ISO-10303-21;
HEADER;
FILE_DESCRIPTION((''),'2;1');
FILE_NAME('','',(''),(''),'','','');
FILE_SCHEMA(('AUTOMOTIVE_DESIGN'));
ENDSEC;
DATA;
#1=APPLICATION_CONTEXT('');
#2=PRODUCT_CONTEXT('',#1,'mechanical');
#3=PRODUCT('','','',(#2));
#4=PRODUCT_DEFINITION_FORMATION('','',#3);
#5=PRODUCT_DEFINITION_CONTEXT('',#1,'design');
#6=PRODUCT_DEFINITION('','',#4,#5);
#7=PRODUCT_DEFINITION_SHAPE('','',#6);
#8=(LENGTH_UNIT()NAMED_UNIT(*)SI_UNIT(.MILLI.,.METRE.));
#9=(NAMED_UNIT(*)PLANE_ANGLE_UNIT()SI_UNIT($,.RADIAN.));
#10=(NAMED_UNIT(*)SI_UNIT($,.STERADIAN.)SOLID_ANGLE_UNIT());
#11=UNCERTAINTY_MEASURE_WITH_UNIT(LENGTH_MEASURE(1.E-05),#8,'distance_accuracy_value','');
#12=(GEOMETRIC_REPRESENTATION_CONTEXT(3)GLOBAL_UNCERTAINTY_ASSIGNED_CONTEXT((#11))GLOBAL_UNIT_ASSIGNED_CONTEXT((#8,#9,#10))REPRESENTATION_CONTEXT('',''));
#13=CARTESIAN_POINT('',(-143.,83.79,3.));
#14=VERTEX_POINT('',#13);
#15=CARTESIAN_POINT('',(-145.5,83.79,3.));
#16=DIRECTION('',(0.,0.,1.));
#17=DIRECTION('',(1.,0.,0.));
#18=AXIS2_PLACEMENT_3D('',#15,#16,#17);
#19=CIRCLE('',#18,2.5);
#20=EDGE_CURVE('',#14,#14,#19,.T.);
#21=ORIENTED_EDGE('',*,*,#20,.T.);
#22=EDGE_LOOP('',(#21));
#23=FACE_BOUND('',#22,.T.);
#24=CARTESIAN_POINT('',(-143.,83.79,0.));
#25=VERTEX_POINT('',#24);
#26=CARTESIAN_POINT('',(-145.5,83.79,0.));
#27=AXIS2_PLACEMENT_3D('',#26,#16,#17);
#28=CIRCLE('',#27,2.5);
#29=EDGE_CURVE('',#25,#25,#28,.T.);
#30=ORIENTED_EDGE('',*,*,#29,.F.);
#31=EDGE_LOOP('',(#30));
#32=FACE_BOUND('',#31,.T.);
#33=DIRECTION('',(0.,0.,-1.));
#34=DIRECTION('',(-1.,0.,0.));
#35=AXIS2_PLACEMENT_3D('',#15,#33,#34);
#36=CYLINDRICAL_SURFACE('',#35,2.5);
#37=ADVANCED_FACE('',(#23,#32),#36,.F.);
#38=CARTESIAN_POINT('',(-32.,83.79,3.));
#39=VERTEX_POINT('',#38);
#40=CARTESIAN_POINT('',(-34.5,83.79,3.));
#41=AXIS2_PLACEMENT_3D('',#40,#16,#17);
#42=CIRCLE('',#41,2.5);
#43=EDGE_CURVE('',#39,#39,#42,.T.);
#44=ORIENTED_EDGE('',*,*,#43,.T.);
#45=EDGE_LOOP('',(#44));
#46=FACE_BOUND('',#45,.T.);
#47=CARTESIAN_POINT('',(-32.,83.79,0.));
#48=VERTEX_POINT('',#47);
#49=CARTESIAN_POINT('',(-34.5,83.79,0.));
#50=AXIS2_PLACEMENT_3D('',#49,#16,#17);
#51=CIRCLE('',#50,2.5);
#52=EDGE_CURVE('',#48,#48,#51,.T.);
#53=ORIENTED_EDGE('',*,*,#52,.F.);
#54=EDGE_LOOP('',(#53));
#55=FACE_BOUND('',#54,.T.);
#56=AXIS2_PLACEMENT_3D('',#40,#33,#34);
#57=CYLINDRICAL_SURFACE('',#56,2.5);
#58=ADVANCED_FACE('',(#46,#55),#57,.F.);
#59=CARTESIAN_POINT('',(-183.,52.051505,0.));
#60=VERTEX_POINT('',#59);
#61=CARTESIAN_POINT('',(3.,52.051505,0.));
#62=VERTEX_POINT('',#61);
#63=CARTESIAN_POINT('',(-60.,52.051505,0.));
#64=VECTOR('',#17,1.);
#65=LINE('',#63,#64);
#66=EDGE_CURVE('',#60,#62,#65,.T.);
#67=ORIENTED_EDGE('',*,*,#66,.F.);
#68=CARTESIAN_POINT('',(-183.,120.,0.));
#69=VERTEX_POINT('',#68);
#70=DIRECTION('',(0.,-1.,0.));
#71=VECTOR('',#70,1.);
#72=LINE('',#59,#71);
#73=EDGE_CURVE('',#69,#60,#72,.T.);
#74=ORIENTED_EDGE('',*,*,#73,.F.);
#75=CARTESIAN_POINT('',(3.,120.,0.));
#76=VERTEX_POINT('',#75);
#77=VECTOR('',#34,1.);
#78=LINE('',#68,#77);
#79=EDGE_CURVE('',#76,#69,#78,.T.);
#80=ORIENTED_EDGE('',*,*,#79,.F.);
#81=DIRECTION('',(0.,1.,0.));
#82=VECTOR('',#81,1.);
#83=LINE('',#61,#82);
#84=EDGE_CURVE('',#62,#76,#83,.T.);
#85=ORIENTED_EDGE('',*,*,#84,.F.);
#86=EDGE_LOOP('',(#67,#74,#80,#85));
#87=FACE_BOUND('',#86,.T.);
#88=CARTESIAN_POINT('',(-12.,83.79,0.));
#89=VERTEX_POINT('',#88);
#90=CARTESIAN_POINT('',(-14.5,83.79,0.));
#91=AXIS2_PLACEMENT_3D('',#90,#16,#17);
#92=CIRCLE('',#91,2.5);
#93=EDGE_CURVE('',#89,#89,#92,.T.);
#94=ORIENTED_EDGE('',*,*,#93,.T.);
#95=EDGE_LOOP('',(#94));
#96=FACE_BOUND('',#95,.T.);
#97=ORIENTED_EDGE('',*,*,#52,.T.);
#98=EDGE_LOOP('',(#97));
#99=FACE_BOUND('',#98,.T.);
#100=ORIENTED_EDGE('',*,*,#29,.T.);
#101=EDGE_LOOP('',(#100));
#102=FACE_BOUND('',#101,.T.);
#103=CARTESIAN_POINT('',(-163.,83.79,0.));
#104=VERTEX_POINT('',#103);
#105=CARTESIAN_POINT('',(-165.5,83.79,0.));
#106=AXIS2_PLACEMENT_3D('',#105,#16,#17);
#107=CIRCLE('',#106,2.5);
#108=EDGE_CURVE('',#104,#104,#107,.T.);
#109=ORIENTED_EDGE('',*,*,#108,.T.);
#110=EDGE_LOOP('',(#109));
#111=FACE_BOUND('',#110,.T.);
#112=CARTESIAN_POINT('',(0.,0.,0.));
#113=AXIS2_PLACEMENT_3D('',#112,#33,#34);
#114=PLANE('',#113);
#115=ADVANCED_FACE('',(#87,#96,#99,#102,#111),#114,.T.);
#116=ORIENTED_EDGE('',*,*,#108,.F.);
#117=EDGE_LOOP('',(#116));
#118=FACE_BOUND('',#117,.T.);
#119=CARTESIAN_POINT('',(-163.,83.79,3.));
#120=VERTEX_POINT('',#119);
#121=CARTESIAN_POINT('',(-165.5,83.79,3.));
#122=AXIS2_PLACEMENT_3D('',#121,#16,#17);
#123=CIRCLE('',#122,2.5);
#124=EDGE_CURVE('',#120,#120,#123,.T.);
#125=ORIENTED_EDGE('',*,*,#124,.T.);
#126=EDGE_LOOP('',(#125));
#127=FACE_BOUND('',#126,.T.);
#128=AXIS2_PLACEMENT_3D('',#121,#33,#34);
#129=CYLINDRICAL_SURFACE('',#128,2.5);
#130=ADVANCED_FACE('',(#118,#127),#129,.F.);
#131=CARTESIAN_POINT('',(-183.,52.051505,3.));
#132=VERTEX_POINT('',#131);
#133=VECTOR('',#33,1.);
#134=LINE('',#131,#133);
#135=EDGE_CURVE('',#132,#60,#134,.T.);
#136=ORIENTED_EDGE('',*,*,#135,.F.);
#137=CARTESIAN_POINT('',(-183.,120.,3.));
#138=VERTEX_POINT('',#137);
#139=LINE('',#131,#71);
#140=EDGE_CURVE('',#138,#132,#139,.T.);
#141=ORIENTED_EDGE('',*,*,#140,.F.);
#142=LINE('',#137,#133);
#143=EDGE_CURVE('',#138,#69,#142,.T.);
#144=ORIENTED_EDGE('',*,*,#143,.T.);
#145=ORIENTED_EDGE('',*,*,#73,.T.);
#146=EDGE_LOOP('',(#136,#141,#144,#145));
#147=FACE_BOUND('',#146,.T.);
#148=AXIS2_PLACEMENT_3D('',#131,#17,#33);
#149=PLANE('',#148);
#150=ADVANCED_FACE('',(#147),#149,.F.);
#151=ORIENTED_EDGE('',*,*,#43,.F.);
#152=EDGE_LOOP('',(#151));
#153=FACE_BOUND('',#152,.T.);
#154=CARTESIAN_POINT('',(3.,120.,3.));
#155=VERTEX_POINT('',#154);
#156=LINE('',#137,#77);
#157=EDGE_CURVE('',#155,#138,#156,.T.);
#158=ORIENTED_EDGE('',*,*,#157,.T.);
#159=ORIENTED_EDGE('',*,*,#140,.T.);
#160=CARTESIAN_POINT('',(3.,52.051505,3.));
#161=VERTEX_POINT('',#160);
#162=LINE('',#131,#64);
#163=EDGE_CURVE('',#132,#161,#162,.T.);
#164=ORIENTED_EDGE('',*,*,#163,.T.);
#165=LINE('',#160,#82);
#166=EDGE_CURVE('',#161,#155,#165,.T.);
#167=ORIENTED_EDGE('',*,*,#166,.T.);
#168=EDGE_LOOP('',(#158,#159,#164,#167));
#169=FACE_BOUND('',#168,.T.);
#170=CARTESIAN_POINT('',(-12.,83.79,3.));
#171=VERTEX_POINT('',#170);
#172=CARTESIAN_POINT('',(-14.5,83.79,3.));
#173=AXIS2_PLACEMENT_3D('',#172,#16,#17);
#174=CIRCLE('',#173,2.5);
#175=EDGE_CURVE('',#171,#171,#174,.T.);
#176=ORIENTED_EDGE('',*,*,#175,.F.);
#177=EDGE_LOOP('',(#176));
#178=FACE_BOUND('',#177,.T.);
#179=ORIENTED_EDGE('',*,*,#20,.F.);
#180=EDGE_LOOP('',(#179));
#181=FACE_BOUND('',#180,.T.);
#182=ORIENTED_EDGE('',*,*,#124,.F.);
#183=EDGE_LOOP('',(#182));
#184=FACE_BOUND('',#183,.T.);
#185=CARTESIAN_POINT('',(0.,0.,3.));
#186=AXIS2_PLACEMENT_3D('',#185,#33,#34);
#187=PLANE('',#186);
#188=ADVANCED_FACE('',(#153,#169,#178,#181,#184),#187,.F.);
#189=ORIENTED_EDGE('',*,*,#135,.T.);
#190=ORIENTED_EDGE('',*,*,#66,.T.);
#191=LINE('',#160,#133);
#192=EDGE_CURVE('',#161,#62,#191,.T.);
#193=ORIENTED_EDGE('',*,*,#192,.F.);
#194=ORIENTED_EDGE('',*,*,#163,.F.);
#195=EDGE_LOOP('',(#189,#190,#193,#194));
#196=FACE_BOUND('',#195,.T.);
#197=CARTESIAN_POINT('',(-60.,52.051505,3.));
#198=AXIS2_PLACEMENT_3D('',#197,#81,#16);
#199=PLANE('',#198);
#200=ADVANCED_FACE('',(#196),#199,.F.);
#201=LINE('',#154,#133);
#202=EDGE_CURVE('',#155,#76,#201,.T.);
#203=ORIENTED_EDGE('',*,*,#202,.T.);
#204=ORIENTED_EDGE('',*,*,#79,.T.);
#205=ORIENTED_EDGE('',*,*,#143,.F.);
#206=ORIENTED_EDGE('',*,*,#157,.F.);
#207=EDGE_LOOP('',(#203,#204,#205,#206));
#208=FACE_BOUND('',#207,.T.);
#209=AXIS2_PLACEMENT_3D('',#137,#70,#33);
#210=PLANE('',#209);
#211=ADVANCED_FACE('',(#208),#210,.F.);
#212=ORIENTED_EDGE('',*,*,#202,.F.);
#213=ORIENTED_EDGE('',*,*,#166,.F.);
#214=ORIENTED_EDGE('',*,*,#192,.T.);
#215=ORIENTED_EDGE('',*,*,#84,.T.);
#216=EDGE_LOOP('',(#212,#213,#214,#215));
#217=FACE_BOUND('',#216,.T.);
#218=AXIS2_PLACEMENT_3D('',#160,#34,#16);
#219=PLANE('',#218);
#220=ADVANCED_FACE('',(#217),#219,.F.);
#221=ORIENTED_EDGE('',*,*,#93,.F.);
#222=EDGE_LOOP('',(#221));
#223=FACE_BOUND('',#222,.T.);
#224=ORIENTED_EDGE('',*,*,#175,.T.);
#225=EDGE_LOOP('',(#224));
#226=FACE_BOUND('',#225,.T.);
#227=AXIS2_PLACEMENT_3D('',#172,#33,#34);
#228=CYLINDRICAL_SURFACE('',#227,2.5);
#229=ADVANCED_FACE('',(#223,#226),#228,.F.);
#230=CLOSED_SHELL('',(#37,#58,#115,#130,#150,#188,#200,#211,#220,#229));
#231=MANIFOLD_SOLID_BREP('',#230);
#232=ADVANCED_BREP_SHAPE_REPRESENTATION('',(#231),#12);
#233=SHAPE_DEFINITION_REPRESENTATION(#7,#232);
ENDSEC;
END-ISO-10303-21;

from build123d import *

# Parameters (mm, degrees)
ESQUISSE1_R        = 2.5
BOSS_EXTRU_1_DEPTH = 3


with BuildPart() as part:
    # Esquisse1 → Boss.-Extru.1 (new body)
    with BuildSketch(Plane.XY):
        Polygon((-183, 52.051504798), (-120, 52.051504798), (-60, 52.051504798), (3, 52.051504798), (3, 120), (-183, 120), align=None)
        with Locations((-165.5, 83.79)):
            Circle(ESQUISSE1_R, mode=Mode.SUBTRACT)
        with Locations((-145.5, 83.79)):
            Circle(ESQUISSE1_R, mode=Mode.SUBTRACT)
        with Locations((-34.5, 83.79)):
            Circle(ESQUISSE1_R, mode=Mode.SUBTRACT)
        with Locations((-14.5, 83.79)):
            Circle(ESQUISSE1_R, mode=Mode.SUBTRACT)
    extrude(amount=BOSS_EXTRU_1_DEPTH)


solid = part.part
